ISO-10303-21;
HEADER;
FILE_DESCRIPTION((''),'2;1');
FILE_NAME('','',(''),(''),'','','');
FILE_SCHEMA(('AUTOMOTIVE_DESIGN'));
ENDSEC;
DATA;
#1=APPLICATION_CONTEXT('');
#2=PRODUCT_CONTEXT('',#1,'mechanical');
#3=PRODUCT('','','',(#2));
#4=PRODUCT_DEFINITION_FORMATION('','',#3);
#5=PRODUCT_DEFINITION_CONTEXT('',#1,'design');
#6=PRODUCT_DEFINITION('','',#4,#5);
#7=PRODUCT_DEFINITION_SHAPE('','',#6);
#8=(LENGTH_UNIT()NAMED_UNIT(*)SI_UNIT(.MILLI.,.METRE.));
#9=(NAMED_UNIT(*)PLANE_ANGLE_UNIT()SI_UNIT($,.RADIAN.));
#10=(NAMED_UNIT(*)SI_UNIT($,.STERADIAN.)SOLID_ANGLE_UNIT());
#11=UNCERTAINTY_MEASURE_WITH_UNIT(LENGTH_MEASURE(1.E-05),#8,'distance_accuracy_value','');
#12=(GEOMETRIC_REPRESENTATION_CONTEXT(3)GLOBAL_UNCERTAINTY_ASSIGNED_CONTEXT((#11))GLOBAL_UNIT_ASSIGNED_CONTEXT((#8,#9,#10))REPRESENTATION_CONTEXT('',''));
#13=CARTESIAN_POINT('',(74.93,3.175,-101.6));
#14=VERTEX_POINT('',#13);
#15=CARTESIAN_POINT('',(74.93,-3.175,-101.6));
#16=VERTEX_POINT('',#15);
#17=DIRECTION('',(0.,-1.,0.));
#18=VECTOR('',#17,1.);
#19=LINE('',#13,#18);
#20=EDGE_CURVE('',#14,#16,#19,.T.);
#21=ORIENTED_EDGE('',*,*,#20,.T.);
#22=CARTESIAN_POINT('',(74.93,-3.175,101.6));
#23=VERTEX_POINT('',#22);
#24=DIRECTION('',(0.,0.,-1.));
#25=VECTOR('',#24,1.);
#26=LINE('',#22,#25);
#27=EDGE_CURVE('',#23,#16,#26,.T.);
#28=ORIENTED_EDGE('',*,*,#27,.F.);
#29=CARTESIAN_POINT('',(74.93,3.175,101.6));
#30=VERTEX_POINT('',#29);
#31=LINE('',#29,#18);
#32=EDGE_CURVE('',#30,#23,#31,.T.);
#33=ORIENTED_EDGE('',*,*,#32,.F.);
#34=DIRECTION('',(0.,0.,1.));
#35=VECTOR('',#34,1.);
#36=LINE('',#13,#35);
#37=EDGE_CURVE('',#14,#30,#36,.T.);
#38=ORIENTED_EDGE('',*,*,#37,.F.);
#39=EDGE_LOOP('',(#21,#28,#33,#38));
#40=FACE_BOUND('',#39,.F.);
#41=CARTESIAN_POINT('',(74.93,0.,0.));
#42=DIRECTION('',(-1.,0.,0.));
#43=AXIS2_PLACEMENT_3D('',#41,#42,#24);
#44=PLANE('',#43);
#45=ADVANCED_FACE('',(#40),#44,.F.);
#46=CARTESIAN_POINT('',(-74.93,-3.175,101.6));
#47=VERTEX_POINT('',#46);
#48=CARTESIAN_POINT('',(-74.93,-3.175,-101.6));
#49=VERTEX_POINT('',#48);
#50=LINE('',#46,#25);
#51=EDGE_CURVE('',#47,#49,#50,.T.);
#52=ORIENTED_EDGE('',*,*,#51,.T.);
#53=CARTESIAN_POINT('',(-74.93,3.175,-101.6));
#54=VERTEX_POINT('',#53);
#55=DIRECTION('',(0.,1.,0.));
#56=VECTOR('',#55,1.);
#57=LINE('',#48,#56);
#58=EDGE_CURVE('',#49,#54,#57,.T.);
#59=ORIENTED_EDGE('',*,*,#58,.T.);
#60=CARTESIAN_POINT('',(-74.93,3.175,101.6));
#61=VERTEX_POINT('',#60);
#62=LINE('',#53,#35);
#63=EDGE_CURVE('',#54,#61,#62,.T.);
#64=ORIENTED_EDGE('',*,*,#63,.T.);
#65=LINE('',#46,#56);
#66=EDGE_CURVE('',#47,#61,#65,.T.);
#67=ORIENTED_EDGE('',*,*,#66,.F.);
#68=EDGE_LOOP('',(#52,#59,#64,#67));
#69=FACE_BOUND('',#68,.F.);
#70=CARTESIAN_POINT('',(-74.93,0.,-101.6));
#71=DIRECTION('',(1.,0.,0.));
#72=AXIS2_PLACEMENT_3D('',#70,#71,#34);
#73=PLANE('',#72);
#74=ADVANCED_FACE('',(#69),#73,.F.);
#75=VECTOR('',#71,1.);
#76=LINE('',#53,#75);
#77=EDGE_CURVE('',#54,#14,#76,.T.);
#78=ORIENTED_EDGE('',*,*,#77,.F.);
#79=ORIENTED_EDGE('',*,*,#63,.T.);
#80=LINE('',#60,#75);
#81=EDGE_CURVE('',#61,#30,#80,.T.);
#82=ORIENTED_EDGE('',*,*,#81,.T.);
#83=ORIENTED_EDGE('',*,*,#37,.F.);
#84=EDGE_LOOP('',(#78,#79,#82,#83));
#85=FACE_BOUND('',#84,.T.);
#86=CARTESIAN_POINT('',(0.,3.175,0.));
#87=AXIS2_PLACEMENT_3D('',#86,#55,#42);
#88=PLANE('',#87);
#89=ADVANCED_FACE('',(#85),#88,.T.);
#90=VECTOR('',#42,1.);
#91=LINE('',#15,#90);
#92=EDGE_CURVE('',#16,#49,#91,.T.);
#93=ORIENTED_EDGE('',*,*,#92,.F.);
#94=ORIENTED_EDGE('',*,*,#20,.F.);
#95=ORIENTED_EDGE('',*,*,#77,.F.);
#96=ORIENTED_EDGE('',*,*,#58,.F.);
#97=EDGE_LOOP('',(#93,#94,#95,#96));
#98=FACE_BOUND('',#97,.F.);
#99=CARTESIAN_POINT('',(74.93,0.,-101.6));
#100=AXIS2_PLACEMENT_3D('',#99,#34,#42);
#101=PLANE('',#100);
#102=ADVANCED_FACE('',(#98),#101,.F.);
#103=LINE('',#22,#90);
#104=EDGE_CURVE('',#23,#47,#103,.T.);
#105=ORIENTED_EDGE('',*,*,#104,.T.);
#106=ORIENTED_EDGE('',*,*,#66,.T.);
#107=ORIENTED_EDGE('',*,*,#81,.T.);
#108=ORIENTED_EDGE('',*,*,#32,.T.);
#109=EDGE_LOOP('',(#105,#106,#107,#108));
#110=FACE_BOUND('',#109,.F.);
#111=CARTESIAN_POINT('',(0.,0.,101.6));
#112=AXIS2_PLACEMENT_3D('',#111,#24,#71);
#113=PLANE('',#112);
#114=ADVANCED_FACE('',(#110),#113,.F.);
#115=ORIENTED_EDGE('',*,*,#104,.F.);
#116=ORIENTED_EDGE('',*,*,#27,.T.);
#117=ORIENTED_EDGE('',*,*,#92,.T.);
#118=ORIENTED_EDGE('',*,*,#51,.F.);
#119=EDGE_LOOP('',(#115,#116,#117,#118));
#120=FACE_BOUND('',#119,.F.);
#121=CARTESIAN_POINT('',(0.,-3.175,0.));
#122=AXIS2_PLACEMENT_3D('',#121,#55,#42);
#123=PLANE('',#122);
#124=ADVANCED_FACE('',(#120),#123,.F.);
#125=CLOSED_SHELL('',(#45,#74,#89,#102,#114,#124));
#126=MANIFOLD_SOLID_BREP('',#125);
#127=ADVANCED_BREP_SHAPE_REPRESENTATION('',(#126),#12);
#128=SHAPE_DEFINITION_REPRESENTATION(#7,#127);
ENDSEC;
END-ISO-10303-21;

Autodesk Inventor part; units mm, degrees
ref_plane "YZ Plane" through (0, 0, 0) normal (1, 0, 0) x (0, 1, 0)
ref_plane "XZ Plane" through (0, 0, 0) normal (0, 1, 0) x (-1, 0, 0)
ref_plane "XY Plane" through (0, 0, 0) normal (0, 0, 1) x (1, 0, 0)
sketch "Sketch1" plane through (0, 0, 0) normal (0, 1, 0) x (-1, 0, 0)
  line L0 (0, -142.24) -> (0, 142.24) projected
  line L1 (-104.902, 0) -> (104.902, 0) projected
  line L2 (74.93, 101.6) -> (-74.93, 101.6)
  line L3 (-74.93, 101.6) -> (-74.93, -101.6)
  line L4 (-74.93, -101.6) -> (74.93, -101.6)
  line L5 (74.93, -101.6) -> (74.93, 101.6)
  line L6 (74.93, 101.6) -> (-74.93, -101.6) construction
  line L7 (-74.93, 101.6) -> (74.93, -101.6) construction
  point P0 (0, 0)
  dimension "d0" = 149.86
  dimension "d1" = 203.2
extrude "Extrusion1" add sketch "Sketch1" along normal mid plane 6.35
properties part number "MLSMLMRSMR"
